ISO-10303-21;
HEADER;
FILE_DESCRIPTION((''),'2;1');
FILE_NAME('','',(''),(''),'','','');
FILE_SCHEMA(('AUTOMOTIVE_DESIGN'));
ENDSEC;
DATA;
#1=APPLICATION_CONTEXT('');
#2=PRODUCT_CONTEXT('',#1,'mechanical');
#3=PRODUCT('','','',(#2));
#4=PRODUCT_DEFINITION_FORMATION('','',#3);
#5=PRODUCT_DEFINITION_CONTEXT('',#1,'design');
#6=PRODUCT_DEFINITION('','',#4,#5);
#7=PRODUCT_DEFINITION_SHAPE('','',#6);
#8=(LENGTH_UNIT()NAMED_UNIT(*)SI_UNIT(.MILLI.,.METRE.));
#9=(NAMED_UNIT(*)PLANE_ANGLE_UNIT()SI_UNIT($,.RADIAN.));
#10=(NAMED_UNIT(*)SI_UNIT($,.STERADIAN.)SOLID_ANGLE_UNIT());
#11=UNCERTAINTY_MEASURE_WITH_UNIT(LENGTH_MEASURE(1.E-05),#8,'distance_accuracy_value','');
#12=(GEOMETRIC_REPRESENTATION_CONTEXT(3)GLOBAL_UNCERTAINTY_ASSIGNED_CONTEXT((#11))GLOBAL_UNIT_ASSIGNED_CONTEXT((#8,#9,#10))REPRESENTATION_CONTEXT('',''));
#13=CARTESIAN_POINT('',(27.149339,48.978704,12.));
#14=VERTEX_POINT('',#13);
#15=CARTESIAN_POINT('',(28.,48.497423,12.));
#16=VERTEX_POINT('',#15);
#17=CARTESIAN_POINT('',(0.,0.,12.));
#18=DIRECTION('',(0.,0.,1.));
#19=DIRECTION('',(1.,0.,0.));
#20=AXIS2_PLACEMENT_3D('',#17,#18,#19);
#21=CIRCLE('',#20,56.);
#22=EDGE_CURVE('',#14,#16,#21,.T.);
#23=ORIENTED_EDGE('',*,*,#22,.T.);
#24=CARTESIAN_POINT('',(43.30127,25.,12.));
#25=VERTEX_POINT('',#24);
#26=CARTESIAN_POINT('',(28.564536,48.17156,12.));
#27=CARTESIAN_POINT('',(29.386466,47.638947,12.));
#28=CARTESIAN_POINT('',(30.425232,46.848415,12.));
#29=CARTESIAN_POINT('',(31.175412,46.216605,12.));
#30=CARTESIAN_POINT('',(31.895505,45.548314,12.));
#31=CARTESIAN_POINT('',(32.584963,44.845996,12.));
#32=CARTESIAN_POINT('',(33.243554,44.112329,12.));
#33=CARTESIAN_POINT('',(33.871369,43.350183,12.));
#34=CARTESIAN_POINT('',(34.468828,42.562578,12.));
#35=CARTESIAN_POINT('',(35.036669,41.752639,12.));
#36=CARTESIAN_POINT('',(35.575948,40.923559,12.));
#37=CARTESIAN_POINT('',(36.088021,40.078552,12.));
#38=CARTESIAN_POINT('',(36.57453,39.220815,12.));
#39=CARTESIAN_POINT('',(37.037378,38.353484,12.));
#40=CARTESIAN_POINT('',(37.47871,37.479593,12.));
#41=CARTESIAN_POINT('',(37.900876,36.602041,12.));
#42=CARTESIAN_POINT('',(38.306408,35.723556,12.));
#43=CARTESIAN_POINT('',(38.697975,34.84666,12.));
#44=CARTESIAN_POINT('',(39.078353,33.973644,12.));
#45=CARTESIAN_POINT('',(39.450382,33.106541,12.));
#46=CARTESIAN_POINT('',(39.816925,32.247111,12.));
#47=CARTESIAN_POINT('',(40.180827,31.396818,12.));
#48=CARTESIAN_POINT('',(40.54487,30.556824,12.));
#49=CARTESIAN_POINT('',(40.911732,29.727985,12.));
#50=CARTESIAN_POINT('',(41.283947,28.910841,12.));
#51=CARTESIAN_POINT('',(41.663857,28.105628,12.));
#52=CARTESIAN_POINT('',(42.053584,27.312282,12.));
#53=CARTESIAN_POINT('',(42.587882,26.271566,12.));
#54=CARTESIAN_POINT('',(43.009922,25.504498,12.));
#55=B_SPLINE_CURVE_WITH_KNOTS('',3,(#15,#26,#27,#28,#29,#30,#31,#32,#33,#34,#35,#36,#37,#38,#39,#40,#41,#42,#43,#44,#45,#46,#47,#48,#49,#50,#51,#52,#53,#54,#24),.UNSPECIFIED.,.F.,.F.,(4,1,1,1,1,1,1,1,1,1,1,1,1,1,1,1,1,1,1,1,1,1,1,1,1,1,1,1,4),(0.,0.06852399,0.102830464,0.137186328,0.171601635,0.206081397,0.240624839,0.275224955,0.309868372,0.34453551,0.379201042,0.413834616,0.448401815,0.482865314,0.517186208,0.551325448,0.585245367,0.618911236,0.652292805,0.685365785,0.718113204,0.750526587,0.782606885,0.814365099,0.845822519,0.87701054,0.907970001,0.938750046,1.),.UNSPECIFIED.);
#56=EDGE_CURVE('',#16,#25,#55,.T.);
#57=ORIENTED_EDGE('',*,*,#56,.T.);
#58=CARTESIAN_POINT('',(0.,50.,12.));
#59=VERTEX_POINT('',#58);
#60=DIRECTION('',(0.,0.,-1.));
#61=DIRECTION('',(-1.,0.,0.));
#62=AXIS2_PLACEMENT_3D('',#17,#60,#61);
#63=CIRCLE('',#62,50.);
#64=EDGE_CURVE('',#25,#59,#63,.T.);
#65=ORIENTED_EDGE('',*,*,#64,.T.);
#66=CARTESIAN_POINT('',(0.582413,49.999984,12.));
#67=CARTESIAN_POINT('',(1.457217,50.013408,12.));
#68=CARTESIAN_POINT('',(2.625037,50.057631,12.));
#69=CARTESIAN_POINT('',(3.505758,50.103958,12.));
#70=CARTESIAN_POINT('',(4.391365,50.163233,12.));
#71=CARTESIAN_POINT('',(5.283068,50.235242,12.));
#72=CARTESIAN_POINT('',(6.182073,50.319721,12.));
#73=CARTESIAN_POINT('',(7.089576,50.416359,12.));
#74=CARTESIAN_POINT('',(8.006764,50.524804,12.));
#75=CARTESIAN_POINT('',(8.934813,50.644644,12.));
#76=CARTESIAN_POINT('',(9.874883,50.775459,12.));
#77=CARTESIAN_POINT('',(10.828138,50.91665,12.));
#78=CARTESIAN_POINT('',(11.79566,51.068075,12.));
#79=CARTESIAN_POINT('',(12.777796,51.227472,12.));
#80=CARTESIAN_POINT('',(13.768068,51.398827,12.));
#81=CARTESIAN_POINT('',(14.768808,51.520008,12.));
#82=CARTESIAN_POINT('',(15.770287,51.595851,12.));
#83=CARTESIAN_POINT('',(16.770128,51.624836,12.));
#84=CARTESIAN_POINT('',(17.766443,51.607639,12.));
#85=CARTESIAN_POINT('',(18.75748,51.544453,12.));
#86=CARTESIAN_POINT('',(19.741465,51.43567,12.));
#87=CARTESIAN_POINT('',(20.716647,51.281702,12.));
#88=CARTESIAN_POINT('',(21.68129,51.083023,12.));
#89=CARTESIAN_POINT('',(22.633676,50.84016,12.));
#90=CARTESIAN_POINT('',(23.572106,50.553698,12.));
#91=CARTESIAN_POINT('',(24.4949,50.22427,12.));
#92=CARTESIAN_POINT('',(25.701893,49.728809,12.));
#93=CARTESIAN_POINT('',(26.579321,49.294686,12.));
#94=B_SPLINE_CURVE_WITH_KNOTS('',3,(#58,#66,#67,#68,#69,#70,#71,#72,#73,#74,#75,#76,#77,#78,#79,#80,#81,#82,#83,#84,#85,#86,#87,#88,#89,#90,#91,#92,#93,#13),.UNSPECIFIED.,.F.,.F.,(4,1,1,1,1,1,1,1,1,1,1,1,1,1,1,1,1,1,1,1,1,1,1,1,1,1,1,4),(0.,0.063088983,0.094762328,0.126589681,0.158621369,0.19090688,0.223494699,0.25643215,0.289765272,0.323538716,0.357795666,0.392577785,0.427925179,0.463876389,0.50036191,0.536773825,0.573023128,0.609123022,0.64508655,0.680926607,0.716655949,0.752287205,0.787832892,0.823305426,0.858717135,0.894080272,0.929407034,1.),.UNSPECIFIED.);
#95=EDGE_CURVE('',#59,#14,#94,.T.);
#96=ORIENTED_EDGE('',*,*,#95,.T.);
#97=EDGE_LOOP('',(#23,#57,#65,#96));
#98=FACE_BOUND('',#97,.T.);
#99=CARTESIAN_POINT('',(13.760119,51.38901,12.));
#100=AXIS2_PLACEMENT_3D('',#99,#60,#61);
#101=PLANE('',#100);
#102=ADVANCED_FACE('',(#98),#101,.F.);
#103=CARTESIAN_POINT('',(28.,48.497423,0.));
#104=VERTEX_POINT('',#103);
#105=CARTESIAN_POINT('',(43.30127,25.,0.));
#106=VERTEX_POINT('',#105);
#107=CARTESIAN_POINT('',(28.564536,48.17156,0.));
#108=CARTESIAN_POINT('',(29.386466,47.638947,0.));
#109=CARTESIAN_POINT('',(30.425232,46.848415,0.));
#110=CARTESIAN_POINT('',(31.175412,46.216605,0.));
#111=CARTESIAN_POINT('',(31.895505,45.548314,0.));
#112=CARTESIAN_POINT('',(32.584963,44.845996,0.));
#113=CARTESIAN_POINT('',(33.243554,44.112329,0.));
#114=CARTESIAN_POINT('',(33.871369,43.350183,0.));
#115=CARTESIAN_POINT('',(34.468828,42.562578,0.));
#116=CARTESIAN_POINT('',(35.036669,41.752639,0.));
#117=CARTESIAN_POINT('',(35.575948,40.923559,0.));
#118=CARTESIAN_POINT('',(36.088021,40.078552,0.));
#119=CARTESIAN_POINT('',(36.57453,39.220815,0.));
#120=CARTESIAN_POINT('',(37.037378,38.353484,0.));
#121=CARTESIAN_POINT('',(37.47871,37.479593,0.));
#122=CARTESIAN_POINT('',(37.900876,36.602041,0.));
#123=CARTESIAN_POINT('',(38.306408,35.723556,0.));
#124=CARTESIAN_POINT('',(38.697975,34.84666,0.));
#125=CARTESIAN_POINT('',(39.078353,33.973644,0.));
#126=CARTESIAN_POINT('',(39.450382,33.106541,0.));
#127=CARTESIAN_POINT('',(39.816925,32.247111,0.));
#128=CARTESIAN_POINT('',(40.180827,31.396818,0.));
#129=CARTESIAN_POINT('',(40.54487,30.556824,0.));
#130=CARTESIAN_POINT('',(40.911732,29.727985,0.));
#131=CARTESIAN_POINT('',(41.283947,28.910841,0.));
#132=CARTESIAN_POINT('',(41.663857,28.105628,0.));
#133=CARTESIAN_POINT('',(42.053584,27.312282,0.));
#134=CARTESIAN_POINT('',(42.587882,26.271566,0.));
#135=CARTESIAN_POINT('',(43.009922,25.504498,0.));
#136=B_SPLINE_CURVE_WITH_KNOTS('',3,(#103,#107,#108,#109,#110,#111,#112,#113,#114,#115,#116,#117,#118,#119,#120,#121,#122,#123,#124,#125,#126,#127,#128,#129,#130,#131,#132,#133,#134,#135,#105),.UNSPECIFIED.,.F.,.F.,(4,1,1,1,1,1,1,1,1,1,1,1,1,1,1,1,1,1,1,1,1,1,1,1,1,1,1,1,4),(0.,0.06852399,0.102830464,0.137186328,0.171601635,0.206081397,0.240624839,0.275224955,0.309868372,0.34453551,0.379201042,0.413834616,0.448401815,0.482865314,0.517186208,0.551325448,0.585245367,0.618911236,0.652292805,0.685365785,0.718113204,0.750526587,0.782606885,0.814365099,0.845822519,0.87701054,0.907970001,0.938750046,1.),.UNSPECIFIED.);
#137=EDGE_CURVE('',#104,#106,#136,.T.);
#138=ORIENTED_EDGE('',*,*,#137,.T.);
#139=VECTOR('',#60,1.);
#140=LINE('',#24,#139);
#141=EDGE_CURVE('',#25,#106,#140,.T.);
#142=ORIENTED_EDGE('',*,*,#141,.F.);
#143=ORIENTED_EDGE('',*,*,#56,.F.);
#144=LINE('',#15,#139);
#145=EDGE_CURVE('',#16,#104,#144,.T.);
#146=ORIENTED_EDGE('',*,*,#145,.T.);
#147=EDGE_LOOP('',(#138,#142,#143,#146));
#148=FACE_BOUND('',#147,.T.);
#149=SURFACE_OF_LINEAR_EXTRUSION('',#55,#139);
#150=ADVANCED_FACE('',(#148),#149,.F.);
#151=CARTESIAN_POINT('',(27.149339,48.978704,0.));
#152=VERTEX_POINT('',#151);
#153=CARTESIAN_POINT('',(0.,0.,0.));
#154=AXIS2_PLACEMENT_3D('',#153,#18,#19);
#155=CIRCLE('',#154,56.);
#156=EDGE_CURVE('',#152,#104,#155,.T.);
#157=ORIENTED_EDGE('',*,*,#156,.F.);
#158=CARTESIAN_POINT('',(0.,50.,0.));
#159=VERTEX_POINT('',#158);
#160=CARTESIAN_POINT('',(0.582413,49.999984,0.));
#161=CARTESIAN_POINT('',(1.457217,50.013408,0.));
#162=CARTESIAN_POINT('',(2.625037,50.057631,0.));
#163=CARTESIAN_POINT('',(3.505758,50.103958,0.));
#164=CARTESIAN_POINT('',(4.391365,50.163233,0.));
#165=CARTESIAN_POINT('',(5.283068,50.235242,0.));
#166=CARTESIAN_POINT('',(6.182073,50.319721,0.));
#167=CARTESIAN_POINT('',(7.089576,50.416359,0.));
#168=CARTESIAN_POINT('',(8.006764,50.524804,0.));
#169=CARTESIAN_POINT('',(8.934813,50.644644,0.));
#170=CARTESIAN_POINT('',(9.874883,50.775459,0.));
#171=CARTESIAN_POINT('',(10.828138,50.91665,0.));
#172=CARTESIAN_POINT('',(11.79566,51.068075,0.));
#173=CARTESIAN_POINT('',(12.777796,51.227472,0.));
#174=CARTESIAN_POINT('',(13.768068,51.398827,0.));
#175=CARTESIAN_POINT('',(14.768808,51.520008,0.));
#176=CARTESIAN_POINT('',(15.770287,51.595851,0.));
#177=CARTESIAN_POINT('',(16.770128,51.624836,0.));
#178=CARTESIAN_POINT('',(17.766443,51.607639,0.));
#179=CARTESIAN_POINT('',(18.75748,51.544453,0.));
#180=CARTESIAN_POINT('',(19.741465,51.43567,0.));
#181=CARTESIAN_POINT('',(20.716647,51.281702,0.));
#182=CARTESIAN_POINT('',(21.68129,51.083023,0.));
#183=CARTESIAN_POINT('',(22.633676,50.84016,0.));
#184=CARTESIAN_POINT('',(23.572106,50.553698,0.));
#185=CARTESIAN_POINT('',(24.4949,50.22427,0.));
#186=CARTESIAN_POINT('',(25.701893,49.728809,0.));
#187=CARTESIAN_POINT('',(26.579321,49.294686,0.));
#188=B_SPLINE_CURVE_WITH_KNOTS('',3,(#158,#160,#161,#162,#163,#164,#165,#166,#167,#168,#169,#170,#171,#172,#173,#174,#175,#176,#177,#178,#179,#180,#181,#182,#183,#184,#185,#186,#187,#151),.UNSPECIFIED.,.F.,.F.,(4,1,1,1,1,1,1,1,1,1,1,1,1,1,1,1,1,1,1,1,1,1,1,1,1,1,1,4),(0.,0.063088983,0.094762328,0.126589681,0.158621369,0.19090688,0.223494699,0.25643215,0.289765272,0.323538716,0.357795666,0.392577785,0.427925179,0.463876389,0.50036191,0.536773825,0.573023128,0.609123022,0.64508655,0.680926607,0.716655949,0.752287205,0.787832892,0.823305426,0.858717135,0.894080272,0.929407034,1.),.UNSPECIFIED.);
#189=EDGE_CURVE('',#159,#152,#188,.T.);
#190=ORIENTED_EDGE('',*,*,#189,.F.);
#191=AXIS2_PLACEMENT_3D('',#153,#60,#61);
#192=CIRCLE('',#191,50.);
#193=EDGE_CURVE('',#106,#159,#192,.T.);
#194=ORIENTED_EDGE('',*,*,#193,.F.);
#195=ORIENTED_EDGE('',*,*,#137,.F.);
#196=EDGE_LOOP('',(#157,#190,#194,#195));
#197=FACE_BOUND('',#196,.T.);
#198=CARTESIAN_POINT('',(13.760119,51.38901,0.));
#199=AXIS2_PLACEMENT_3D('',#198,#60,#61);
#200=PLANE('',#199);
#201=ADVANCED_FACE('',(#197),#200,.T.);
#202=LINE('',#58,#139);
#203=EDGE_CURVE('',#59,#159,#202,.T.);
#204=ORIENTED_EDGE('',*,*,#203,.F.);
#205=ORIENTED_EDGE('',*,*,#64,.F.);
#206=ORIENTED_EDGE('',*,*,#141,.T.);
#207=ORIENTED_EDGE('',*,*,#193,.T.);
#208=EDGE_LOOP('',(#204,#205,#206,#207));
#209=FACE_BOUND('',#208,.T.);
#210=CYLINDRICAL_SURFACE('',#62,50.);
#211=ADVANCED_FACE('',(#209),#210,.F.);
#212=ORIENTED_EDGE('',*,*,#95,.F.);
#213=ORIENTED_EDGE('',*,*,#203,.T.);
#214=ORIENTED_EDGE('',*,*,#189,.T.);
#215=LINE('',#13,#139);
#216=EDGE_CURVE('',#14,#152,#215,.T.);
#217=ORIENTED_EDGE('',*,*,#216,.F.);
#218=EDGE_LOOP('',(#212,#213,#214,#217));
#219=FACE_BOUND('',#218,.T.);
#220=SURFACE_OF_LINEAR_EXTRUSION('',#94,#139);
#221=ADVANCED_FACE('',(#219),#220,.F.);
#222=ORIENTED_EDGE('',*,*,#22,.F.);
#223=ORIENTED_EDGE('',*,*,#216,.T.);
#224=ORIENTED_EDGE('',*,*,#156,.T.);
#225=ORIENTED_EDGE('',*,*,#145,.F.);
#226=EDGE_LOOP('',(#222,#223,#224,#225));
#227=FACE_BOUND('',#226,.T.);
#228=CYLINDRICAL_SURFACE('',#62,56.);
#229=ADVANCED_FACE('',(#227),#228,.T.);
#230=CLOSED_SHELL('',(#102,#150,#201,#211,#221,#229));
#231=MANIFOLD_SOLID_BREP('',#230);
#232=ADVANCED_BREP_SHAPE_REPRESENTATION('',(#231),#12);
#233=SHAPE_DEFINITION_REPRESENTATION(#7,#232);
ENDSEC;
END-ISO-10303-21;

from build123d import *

# Parameters (mm, degrees)
EXTRUDE_1_DEPTH = 12


with BuildPart() as part:
    # 草图1 → 凸台-拉伸1 (new body)
    with BuildSketch(Plane.XY):
        with BuildLine():
            ThreePointArc((27.149338734, 48.9787036), (-27.575719366, -48.739918973), (28, 48.497422612))
            add(Edge.make_bspline(
                [(28, 48.497422612), (28.564535987, 48.171560035), (29.386465895, 47.638946939), (30.425231829, 46.84841548), (31.175411799, 46.216604933), (31.895504924, 45.548314243), (32.58496303, 44.845995921), (33.243553789, 44.11232907), (33.871369445, 43.350183341), (34.468827797, 42.562577681), (35.036669109, 41.752638795), (35.575948058, 40.923558717), (36.088021127, 40.078552353), (36.574529557, 39.220815456), (37.037378064, 38.353483584), (37.478709584, 37.479592595), (37.90087635, 36.602041187), (38.306407644, 35.723556025), (38.697974626, 34.846659935), (39.078352671, 33.97364363), (39.450381689, 33.106541359), (39.816924915, 32.247110829), (40.180826675, 31.396817644), (40.544869672, 30.556824428), (40.911732242, 29.727984618), (41.283946525, 28.910841049), (41.663856748, 28.105628436), (42.053583673, 27.312282062), (42.587882239, 26.271566137), (43.009922407, 25.504498115), (43.301270189, 25)],
                knots=[0, 0, 0, 0, 0.06852399, 0.102830464, 0.137186328, 0.171601635, 0.206081397, 0.240624839, 0.275224955, 0.309868372, 0.34453551, 0.379201042, 0.413834616, 0.448401815, 0.482865314, 0.517186208, 0.551325448, 0.585245367, 0.618911236, 0.652292805, 0.685365785, 0.718113204, 0.750526587, 0.782606885, 0.814365099, 0.845822519, 0.87701054, 0.907970001, 0.938750046, 1, 1, 1, 1], degree=3))
            ThreePointArc((43.301270189, 25), (-25, -43.301270189), (0, 50))
            add(Edge.make_bspline(
                [(0, 50), (0.582412989, 49.999984085), (1.457217, 50.013408169), (2.625036634, 50.057630973), (3.505757926, 50.103957683), (4.391364675, 50.163233247), (5.283068256, 50.235241673), (6.18207324, 50.319720515), (7.089576152, 50.41635949), (8.006763651, 50.524804063), (8.934812603, 50.644644338), (9.87488298, 50.775458938), (10.828138017, 50.916649647), (11.795660319, 51.068075038), (12.777795571, 51.227471801), (13.768067559, 51.3988271), (14.768807795, 51.520008157), (15.770286867, 51.595850519), (16.770127762, 51.624835615), (17.766443396, 51.607638647), (18.757480091, 51.544452671), (19.74146457, 51.43567035), (20.716646687, 51.28170181), (21.681290005, 51.083022628), (22.633676226, 50.840160365), (23.572106021, 50.553697669), (24.494900403, 50.22427006), (25.701892755, 49.728809229), (26.5793214, 49.294685742), (27.149338734, 48.9787036)],
                knots=[0, 0, 0, 0, 0.063088983, 0.094762328, 0.126589681, 0.158621369, 0.19090688, 0.223494699, 0.25643215, 0.289765272, 0.323538716, 0.357795666, 0.392577785, 0.427925179, 0.463876389, 0.50036191, 0.536773825, 0.573023128, 0.609123022, 0.64508655, 0.680926607, 0.716655949, 0.752287205, 0.787832892, 0.823305426, 0.858717135, 0.894080272, 0.929407034, 1, 1, 1, 1], degree=3))
        make_face()
    extrude(amount=EXTRUDE_1_DEPTH)


solid = part.part
